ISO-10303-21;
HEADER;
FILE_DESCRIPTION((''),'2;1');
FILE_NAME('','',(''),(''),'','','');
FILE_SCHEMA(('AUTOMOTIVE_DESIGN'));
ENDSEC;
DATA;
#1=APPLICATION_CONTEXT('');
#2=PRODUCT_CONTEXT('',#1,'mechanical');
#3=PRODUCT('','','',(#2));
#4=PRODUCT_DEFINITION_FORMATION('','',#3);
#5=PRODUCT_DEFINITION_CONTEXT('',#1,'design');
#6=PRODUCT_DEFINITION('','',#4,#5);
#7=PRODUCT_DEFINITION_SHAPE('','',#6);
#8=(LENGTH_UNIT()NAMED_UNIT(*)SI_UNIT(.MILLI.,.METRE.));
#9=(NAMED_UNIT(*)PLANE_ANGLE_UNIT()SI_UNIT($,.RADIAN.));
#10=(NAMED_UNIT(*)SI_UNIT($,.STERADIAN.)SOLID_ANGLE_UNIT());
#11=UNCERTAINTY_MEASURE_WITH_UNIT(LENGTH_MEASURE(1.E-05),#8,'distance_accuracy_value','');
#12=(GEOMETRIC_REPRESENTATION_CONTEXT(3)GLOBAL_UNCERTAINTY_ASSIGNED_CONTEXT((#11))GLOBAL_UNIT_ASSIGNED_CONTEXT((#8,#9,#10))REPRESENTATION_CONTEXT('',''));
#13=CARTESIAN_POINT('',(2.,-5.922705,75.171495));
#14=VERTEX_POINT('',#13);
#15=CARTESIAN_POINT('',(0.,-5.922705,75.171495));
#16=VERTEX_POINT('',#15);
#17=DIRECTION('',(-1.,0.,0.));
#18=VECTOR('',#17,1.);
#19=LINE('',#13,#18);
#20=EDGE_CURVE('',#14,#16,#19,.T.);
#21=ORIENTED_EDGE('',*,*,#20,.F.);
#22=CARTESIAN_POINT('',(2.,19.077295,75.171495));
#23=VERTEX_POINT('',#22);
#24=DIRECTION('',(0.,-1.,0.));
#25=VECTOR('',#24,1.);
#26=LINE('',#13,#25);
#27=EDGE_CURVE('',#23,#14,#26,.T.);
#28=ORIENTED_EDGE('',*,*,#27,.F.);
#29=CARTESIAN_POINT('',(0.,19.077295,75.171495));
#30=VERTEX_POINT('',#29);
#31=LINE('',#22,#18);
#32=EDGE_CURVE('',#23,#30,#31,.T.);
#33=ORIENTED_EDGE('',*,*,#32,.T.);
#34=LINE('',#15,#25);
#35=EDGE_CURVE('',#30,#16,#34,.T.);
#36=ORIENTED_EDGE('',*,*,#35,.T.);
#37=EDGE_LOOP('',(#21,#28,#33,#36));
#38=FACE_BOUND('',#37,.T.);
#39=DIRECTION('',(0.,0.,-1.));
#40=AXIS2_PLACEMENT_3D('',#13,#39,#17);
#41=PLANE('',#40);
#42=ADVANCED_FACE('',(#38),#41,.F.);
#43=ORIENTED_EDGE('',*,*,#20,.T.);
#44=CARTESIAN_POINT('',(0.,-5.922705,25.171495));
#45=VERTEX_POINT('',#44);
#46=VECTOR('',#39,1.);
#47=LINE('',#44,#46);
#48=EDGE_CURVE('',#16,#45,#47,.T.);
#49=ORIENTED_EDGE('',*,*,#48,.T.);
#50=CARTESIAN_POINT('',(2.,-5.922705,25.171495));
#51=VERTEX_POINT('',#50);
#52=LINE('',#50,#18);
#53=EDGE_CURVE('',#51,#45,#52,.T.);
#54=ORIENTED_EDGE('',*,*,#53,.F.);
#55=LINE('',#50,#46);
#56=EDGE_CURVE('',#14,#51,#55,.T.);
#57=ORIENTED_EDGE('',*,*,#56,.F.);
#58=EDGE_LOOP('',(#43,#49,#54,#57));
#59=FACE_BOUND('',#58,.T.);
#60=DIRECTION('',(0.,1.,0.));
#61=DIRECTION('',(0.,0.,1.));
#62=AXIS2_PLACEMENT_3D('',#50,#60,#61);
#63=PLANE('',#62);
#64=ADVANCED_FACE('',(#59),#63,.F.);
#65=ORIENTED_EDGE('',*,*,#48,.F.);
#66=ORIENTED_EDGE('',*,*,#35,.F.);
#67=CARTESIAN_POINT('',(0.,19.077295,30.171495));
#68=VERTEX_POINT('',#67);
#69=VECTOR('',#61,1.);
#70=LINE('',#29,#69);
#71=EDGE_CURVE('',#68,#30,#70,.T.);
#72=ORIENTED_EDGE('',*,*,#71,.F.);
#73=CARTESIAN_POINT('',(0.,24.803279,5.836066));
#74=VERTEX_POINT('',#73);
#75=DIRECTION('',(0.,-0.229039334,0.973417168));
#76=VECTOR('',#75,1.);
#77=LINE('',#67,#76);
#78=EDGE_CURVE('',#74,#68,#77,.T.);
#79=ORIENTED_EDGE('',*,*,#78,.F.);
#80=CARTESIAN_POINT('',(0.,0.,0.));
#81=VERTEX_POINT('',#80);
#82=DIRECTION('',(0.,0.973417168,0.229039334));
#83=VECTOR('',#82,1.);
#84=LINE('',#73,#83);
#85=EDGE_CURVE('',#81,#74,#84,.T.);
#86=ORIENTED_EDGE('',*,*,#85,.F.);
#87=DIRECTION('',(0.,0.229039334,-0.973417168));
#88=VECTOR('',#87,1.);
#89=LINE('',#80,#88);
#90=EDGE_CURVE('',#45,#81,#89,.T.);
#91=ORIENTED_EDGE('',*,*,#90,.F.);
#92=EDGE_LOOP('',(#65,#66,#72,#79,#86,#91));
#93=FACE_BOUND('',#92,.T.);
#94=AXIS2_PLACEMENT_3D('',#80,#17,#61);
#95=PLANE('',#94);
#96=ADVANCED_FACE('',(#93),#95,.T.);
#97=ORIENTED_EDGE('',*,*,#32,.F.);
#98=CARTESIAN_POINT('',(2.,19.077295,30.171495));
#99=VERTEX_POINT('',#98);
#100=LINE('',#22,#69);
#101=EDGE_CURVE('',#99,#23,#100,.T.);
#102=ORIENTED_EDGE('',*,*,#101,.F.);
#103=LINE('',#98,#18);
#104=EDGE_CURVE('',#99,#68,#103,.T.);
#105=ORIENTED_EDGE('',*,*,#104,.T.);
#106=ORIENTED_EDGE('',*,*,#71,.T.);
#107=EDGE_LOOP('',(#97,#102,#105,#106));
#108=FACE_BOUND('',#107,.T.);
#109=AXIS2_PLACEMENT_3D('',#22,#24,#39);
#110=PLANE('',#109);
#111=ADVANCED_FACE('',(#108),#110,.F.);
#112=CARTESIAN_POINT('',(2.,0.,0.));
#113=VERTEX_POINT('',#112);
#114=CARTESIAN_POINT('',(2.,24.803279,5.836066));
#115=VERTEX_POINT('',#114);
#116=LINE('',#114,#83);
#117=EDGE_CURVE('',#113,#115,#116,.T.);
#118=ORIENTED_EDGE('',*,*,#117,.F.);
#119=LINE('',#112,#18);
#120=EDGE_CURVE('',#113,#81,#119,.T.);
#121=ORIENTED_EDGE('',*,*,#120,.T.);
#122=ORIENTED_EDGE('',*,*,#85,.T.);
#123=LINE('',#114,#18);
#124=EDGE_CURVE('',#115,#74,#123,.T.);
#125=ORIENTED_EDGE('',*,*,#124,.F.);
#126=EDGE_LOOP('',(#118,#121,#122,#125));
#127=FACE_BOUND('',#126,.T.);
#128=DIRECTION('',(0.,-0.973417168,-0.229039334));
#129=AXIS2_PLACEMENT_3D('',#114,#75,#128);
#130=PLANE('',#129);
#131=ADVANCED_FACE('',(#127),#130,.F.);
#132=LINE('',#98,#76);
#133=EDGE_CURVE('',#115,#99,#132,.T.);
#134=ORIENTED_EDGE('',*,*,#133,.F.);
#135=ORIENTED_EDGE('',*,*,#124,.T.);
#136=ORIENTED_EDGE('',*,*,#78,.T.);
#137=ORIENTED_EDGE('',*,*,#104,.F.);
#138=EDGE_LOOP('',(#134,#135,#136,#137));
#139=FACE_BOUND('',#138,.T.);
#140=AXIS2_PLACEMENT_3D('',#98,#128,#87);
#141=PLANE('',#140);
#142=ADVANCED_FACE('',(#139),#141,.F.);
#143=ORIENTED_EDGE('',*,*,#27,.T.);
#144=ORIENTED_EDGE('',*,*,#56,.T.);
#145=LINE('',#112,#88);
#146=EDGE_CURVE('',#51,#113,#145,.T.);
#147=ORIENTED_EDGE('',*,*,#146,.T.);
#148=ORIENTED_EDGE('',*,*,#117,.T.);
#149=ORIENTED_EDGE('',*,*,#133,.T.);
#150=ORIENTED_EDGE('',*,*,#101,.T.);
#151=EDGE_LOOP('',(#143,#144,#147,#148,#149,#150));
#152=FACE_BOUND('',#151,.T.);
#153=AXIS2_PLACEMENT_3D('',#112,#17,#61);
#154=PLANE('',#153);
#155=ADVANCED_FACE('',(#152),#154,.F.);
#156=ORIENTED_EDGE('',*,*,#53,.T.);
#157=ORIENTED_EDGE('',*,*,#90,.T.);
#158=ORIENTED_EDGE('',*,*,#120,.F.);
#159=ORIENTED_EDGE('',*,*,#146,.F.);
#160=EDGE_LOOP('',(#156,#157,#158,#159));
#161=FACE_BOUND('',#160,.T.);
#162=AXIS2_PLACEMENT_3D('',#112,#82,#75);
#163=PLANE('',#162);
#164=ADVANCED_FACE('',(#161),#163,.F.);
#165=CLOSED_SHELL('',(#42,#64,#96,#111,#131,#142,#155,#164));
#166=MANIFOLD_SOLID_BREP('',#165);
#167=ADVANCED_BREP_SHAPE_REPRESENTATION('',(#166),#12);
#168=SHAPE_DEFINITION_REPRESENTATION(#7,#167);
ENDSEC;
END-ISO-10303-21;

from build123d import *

# Parameters (mm, degrees)
BOSS_EXTRUDE1_DEPTH = 2


with BuildPart() as part:
    # Sketch1 → Boss-Extrude1 (new body)
    with BuildSketch(Plane(origin=(0, 0, 0), x_dir=(0, 0, -1), z_dir=(1, 0, 0))):
        Polygon((0, 0), (-25.171494782, -5.922704655), (-75.171494782, -5.922704655), (-75.171494782, 19.077295345), (-30.171494782, 19.077295345), (-5.836065574, 24.803278689), align=None)
    extrude(amount=BOSS_EXTRUDE1_DEPTH)


solid = part.part
